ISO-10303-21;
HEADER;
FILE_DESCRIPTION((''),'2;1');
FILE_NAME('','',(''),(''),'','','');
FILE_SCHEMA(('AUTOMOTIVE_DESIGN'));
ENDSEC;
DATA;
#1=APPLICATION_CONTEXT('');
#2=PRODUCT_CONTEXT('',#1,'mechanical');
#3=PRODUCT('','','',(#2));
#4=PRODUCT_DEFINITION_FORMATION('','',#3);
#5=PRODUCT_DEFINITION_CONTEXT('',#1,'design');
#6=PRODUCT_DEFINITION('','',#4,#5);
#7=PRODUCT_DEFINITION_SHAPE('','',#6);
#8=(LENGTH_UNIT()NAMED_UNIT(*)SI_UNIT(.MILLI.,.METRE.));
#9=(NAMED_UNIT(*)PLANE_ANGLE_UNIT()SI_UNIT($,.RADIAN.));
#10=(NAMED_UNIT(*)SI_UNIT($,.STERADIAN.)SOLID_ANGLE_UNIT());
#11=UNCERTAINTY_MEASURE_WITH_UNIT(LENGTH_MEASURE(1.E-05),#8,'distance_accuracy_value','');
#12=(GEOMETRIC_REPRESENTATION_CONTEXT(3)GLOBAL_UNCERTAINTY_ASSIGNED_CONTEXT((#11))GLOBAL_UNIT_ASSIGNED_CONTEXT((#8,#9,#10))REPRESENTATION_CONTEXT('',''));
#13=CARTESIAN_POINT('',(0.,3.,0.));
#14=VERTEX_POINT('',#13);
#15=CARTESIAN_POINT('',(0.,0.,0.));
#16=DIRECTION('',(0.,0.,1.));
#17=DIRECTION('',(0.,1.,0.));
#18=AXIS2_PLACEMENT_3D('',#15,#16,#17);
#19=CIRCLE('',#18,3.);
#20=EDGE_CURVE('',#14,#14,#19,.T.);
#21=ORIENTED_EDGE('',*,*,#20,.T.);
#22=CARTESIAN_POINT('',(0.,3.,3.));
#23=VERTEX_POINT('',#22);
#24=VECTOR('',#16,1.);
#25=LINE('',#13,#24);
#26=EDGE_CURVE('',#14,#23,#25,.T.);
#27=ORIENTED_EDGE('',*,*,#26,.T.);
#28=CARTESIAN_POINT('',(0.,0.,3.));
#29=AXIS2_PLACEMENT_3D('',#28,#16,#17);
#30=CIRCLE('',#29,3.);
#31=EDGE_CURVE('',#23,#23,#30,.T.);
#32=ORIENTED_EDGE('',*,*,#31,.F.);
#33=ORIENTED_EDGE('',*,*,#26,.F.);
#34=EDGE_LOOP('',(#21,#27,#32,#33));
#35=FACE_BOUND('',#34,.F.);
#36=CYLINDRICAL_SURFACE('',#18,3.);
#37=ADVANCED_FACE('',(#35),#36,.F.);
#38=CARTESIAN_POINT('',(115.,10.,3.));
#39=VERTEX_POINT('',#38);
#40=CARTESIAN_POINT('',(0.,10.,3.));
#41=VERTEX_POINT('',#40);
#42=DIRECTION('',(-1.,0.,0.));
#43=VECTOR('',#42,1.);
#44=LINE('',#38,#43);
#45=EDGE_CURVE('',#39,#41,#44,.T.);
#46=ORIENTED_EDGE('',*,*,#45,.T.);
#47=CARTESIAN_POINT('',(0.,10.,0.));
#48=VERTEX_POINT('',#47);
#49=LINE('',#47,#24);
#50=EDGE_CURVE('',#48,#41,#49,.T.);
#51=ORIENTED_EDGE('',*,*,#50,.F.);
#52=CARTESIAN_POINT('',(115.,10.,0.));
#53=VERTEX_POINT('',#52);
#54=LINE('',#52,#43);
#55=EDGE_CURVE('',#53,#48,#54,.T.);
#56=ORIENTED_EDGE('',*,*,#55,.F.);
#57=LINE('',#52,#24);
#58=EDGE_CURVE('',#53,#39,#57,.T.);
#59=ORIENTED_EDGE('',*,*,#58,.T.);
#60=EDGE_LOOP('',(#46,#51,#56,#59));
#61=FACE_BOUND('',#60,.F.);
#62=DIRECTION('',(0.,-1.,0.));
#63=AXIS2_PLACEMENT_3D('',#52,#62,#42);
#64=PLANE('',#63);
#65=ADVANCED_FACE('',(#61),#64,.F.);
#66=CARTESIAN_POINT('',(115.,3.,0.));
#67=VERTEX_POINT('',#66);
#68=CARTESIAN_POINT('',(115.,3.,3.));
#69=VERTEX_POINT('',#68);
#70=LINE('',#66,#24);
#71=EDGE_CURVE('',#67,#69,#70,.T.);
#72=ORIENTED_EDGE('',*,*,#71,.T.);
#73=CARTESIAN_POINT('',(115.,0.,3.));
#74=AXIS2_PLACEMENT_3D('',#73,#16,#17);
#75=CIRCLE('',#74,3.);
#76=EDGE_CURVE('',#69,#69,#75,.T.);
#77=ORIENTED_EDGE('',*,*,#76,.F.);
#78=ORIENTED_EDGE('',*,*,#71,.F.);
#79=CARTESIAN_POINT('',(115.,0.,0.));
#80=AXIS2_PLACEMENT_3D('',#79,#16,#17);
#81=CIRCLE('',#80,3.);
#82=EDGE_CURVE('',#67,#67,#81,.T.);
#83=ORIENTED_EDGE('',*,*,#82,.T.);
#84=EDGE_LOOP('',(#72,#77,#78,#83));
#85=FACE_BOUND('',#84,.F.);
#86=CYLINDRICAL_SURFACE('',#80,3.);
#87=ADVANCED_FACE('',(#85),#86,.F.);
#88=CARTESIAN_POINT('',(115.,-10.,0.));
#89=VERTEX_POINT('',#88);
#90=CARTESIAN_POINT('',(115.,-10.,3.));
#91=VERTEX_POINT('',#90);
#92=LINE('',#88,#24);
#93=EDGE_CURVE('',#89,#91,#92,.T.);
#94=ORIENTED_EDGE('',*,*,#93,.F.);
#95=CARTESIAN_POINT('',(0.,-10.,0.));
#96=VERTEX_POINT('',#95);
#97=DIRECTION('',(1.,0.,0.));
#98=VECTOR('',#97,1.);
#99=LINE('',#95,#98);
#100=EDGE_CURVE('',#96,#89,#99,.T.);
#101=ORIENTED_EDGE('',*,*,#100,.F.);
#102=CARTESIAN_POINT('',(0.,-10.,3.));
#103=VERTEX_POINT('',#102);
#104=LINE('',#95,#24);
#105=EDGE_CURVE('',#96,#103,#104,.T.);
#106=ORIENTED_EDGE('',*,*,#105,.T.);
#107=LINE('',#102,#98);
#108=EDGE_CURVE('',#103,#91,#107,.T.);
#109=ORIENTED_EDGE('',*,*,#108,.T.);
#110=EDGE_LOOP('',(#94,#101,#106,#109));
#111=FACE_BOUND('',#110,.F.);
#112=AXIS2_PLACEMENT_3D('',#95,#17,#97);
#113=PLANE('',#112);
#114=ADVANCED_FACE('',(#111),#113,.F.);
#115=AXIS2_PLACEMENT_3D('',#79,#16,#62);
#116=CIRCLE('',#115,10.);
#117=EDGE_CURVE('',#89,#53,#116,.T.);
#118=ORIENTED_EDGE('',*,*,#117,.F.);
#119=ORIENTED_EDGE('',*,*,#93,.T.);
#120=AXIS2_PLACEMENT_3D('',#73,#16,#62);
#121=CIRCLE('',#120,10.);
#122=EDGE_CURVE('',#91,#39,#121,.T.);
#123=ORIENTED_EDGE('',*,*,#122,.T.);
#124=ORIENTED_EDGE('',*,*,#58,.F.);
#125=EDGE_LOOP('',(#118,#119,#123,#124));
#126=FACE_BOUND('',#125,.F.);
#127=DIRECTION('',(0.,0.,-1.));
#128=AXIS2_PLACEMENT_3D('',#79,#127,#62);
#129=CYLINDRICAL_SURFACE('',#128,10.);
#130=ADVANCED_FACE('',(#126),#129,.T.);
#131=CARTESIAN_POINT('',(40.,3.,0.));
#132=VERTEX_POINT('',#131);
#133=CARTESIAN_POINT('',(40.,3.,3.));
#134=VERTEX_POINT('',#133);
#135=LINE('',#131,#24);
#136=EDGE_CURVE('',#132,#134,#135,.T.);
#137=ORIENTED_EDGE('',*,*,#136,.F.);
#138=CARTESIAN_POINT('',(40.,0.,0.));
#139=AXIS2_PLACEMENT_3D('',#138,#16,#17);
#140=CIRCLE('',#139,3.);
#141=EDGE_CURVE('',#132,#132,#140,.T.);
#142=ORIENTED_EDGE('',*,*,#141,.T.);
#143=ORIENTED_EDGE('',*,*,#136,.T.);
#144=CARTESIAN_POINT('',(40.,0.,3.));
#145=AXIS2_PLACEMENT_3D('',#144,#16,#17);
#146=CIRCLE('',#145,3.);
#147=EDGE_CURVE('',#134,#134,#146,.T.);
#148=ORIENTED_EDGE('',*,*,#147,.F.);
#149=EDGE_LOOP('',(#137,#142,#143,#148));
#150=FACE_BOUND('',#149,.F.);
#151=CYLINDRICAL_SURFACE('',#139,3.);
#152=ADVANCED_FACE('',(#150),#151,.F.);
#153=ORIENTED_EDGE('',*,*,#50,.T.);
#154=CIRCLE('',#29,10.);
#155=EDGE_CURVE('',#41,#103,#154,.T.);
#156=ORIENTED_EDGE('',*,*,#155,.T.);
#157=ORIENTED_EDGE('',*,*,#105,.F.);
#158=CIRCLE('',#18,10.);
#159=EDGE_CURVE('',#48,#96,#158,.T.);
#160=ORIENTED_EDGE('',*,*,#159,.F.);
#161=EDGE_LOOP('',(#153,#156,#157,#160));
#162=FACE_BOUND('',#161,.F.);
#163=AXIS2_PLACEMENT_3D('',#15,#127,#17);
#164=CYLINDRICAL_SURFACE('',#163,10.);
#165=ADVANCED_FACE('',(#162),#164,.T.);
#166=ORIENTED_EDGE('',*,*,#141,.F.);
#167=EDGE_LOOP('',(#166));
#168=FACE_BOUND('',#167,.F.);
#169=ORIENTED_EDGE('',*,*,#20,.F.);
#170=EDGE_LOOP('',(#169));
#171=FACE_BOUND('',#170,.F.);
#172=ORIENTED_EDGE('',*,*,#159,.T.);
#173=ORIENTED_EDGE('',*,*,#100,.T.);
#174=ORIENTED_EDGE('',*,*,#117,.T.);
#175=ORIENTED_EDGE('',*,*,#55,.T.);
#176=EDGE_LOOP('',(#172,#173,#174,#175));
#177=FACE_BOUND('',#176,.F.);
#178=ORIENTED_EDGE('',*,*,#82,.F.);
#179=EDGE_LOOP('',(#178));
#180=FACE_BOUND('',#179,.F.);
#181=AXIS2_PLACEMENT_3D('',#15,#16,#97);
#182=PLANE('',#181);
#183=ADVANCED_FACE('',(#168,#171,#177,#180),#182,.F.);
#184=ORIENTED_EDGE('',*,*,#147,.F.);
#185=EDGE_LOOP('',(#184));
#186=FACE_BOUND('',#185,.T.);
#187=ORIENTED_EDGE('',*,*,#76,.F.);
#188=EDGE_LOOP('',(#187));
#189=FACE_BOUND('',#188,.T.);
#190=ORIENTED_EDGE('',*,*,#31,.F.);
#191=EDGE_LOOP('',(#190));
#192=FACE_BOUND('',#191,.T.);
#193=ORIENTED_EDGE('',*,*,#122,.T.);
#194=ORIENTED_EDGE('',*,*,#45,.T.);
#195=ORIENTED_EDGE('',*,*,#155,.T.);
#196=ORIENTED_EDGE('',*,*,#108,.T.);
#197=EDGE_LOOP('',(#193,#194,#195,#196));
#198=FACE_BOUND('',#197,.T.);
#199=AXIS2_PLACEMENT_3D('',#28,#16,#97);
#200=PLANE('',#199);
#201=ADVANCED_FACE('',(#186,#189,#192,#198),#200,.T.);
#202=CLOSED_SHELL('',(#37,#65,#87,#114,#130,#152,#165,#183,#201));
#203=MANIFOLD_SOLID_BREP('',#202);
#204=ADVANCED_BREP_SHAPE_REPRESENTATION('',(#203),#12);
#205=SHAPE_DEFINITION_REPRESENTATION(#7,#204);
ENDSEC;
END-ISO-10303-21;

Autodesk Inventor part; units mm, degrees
ref_plane "YZ Plane" through (0, 0, 0) normal (1, 0, 0) x (0, 1, 0)
ref_plane "XZ Plane" through (0, 0, 0) normal (0, 1, 0) x (-1, 0, 0)
ref_plane "XY Plane" through (0, 0, 0) normal (0, 0, 1) x (1, 0, 0)
sketch "Szkic1" plane through (0, 0, 0) normal (0, 0, 1) x (1, 0, 0)
  line L0 (0, 0) -> (115, 0) construction
  line L1 (0, -10) -> (115, -10)
  line L2 (115, 10) -> (0, 10)
  arc A0 (0, 10) -> (0, -10) centre (0, 0) ccw
  arc A1 (115, -10) -> (115, 10) centre (115, 0) ccw
  point P0 (57.5, 0)
  point P1 (40, 0)
  dimension "d0" = 115
  dimension "d1" = 20
  dimension "d2" = 75
extrude "Wyciągnięcie proste1" add sketch "Szkic1" along normal blind 3
hole "Otwór1" at (115, 0, 0) at (40, 0, 0) direction (0, 0, 1) diameter 6 end through all
hole "Otwór2" at (0, 0, 0) direction (0, 0, 1) diameter 6 end through all
properties part number "lacznik_zewn"
